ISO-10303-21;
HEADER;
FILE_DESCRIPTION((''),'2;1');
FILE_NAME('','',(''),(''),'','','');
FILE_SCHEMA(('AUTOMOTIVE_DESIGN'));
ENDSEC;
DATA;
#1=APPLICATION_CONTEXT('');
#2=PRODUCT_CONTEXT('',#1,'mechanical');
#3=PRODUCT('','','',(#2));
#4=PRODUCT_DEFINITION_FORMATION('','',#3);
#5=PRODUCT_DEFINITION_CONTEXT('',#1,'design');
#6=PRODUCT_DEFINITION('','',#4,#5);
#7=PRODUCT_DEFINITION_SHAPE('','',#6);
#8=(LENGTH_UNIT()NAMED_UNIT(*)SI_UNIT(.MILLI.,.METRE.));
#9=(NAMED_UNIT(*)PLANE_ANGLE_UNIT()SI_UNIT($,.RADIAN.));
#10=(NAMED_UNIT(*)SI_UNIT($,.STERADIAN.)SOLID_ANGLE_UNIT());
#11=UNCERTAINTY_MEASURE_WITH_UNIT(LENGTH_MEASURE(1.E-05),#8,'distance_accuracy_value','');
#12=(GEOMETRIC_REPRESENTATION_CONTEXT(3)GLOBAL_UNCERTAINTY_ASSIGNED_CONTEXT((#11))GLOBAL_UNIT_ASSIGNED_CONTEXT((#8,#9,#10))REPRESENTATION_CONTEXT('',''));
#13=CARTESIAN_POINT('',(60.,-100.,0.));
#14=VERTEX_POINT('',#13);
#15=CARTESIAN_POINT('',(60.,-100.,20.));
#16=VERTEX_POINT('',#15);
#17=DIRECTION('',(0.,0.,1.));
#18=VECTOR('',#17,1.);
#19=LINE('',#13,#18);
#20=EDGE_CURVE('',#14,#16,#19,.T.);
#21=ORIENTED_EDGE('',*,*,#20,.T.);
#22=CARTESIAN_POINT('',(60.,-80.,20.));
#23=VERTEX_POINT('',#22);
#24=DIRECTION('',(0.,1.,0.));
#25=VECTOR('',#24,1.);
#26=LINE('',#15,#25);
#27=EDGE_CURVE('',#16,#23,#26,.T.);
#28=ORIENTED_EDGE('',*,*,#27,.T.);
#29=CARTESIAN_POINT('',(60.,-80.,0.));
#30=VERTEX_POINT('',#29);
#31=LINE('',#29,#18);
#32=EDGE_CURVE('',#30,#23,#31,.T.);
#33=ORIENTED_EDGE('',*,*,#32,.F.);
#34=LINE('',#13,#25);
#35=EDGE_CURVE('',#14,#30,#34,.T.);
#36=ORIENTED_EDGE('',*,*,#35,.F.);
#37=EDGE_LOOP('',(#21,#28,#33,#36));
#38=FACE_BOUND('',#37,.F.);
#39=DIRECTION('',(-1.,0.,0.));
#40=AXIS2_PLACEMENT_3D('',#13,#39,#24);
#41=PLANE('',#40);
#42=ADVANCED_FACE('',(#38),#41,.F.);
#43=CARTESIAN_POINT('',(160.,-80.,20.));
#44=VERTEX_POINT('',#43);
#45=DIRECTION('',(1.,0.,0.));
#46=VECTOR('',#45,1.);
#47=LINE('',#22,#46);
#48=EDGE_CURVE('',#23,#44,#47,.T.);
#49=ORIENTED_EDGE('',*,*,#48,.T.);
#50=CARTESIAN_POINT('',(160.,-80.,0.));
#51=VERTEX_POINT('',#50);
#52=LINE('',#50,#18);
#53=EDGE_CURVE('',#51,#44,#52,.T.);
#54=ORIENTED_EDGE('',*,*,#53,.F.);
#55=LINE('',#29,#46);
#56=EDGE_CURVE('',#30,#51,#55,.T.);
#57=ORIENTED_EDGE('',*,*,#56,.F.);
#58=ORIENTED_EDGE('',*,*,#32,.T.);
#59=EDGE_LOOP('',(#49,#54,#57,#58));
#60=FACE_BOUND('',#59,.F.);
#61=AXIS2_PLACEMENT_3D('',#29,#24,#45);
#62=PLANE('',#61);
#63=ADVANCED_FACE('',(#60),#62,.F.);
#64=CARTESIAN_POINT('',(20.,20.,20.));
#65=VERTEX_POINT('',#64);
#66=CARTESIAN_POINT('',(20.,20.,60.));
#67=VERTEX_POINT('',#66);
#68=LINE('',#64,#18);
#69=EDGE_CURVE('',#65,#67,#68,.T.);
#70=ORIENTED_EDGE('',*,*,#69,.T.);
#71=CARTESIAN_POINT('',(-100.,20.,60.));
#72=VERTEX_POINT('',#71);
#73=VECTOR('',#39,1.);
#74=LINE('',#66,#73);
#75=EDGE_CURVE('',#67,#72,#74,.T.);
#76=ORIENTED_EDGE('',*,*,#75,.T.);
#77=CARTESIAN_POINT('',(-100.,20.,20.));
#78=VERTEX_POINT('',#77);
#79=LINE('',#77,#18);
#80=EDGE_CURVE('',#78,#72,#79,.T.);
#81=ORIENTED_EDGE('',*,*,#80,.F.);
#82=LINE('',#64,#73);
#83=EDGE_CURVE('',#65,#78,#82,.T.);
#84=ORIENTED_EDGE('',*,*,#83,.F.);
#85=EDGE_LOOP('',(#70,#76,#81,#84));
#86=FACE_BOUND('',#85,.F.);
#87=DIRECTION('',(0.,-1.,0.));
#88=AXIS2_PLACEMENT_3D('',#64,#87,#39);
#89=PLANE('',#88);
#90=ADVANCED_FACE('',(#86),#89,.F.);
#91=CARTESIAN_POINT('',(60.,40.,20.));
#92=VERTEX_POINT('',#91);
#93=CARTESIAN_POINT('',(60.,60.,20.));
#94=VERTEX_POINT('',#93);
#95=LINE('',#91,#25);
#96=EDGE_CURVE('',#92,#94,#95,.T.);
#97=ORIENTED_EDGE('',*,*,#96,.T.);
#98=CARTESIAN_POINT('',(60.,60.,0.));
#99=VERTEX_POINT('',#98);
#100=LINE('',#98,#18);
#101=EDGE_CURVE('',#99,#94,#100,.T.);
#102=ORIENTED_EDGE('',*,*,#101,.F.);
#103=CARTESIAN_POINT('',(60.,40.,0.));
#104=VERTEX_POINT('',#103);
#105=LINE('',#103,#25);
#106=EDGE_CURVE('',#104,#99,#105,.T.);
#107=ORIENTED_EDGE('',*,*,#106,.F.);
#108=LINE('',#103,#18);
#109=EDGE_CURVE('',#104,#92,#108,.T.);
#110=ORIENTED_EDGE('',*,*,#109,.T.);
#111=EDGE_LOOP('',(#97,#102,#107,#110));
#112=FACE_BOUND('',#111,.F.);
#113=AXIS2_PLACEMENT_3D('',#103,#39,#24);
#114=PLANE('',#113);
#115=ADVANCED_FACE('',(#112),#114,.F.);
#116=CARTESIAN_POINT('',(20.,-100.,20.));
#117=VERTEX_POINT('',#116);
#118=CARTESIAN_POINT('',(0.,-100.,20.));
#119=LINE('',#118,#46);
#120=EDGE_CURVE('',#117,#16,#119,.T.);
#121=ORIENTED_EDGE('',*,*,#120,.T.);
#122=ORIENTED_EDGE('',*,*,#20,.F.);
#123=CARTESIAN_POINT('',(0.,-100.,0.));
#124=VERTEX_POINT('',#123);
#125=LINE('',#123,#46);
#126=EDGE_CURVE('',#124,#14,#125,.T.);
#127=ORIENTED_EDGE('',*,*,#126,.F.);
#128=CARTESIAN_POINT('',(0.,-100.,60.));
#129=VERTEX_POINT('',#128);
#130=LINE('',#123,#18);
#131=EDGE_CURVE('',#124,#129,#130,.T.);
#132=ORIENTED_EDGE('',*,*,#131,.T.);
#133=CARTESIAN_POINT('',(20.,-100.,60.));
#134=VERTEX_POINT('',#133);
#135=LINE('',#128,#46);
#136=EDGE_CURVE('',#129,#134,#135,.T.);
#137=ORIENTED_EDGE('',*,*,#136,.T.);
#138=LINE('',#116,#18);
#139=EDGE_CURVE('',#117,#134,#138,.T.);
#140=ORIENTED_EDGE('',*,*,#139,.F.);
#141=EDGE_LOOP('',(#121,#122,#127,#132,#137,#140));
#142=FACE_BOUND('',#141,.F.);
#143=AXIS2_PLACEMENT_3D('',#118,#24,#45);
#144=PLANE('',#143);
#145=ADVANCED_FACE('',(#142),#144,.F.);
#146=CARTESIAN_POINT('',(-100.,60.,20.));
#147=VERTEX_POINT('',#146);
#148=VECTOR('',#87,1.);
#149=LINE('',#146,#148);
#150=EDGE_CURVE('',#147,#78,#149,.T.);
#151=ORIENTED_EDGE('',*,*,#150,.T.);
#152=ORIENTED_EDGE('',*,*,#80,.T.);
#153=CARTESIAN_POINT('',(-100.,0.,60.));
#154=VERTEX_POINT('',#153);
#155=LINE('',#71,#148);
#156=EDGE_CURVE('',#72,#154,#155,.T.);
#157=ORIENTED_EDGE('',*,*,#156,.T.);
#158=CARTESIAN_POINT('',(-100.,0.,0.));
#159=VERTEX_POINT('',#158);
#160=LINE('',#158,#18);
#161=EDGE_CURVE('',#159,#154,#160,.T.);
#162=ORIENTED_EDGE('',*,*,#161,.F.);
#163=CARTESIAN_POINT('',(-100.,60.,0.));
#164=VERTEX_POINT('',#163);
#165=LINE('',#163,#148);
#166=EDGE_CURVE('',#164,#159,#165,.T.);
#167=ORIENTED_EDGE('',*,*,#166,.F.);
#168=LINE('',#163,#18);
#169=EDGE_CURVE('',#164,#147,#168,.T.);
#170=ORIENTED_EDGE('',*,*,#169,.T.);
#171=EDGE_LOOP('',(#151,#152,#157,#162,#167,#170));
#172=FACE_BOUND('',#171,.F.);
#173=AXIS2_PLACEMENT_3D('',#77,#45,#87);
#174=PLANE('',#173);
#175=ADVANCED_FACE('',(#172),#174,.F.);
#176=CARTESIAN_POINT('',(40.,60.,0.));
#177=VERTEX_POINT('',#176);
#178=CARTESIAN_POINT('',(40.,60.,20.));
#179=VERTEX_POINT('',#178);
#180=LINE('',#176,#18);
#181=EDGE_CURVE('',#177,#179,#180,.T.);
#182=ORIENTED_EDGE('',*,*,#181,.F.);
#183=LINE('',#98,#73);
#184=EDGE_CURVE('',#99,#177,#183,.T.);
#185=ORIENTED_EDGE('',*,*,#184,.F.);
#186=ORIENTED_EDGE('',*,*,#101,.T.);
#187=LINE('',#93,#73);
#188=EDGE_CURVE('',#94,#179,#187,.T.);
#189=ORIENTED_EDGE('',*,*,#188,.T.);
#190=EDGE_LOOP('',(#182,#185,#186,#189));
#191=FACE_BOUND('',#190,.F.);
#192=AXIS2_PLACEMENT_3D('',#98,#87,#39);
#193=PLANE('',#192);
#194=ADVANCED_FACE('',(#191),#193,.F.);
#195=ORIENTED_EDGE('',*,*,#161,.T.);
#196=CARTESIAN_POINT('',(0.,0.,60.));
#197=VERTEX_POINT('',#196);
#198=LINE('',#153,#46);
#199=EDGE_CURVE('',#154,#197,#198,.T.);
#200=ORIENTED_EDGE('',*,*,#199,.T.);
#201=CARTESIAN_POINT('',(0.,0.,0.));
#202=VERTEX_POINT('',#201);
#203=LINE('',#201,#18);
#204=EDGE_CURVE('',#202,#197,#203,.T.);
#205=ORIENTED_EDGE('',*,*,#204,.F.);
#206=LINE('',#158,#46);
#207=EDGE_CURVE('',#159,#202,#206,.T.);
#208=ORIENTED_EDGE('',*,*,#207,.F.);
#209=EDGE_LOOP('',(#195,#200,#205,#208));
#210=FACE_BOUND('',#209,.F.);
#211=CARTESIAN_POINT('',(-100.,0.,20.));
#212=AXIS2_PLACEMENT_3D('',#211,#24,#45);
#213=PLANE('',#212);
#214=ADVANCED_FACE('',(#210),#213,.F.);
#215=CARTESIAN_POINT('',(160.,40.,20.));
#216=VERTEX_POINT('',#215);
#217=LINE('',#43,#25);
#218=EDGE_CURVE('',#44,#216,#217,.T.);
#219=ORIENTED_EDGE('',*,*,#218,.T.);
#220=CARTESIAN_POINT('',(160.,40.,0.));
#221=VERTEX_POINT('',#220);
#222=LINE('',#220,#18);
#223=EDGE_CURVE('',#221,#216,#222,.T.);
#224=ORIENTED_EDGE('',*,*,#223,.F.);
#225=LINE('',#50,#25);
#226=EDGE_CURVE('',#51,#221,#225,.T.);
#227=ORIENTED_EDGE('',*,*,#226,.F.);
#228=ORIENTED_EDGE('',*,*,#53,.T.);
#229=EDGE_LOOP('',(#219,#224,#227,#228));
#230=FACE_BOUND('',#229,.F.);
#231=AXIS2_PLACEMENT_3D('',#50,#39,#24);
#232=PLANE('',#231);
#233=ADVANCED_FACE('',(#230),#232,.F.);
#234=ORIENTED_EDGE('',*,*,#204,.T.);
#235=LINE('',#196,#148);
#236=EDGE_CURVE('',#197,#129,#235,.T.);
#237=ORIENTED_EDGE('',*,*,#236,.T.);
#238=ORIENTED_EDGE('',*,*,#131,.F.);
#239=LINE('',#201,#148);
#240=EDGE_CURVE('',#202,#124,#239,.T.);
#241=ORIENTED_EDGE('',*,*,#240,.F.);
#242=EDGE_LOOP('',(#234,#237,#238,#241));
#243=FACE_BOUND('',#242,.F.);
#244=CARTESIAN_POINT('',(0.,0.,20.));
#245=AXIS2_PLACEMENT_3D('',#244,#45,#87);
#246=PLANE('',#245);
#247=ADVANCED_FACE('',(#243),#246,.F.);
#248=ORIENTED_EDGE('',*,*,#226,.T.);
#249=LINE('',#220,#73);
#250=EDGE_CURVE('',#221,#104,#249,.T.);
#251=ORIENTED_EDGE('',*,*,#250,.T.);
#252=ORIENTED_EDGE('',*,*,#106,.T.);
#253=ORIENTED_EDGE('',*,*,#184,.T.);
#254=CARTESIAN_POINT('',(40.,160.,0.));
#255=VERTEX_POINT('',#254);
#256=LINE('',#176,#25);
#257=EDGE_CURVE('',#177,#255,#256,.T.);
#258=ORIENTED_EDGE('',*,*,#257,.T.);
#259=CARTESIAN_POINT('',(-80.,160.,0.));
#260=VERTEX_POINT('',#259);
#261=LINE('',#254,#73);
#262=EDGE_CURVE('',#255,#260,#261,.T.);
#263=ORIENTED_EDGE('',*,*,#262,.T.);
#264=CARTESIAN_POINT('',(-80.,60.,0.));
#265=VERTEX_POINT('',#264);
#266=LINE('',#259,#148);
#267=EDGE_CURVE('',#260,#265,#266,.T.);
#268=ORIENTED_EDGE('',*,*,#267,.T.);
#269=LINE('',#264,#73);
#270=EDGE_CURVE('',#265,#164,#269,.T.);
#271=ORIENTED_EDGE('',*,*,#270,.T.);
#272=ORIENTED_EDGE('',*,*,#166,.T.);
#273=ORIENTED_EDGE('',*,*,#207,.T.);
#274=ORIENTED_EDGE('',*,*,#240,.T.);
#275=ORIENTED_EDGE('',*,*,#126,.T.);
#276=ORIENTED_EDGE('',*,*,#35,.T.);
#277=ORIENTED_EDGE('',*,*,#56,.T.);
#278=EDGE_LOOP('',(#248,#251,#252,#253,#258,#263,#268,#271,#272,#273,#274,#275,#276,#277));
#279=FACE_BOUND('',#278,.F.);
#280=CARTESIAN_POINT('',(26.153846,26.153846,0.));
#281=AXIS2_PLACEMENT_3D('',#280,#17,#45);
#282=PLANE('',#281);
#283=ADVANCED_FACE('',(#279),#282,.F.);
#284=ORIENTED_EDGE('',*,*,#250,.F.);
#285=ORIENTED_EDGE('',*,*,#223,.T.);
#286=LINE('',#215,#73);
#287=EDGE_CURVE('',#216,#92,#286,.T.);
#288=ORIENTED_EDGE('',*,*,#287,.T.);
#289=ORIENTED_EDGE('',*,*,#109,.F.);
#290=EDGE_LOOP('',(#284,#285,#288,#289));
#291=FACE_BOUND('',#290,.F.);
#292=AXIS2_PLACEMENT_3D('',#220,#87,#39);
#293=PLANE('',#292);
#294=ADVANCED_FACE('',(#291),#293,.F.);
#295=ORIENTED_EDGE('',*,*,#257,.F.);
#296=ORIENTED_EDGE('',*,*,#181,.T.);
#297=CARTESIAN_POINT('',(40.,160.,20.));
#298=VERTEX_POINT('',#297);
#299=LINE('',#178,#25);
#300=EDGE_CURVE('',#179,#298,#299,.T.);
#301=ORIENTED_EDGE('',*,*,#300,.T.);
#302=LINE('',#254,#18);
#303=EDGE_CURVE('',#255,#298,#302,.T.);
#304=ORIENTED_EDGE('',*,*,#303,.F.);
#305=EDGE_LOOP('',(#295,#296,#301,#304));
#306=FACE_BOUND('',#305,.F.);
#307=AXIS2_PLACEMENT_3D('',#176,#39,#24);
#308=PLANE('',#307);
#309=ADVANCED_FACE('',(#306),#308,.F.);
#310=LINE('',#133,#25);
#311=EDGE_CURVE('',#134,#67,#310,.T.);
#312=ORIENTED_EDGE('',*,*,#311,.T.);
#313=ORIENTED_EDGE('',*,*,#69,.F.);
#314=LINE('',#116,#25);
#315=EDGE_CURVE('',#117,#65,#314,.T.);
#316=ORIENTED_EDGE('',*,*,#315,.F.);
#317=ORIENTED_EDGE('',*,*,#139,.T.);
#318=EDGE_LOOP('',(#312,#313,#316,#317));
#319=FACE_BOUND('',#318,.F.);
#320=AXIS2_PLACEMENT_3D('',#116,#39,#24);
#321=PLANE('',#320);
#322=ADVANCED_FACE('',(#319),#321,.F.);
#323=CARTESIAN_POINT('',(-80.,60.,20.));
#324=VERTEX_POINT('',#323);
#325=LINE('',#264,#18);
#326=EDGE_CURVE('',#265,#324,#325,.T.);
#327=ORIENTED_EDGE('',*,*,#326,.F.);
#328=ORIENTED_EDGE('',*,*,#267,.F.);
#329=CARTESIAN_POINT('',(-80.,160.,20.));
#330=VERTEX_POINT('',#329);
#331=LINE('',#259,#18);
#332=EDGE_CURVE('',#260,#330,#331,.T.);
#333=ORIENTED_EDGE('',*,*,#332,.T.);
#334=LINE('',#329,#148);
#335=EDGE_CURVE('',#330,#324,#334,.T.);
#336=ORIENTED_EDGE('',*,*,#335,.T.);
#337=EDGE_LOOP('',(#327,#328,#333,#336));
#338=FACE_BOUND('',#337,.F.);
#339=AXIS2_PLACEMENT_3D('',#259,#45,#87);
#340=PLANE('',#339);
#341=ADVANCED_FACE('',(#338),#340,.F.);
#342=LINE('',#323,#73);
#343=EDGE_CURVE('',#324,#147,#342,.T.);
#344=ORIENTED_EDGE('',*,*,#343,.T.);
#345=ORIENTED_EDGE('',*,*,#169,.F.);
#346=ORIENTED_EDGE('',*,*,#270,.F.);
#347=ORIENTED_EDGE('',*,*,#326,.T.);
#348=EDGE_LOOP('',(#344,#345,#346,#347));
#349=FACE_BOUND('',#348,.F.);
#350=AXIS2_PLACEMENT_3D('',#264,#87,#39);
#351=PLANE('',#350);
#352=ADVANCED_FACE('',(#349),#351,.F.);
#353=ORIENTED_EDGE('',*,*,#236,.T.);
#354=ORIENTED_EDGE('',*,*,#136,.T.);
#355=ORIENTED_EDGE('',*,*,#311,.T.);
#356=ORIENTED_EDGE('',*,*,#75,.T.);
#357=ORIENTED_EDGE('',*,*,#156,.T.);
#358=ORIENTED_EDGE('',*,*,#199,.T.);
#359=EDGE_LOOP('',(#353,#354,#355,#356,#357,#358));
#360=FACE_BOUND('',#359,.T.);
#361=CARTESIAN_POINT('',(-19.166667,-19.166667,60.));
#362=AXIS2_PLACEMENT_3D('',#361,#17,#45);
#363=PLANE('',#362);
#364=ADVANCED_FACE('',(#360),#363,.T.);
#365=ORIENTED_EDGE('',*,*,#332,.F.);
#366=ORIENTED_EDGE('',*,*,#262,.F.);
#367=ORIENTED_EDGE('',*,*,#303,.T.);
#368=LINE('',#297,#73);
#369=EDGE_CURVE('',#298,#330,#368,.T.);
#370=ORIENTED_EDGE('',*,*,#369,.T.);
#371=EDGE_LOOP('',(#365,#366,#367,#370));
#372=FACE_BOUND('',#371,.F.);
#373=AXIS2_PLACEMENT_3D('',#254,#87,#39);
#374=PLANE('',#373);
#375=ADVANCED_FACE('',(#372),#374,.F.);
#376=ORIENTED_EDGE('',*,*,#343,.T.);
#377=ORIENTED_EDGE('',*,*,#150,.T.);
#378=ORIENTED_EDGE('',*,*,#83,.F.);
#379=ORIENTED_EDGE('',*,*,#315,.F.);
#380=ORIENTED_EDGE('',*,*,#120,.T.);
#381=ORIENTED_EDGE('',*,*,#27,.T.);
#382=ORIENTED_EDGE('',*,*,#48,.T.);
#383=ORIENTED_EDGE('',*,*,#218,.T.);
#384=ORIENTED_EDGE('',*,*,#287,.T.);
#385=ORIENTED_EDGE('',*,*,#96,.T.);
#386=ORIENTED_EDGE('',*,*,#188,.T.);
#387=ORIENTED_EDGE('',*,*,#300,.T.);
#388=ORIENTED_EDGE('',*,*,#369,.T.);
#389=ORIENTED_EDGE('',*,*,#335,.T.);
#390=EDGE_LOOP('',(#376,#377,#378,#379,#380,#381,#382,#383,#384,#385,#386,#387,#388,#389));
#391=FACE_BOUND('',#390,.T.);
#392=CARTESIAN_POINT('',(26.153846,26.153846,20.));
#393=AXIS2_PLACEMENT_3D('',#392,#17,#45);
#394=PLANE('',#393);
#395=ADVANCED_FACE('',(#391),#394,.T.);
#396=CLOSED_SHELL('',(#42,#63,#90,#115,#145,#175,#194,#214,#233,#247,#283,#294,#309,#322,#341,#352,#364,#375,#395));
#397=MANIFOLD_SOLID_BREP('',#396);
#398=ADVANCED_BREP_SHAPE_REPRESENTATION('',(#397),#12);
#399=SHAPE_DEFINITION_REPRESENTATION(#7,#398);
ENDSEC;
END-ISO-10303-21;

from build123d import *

# Parameters (mm, degrees)
F1_DEPTH = 20
F3_DEPTH = 40


with BuildPart() as f1:
    # F0 (on Top) → F1 (new body)
    with BuildSketch(Plane.XY):
        Polygon((-100, 0), (0, 0), (0, -100), (60, -100), (60, -80), (160, -80), (160, 40), (60, 40), (60, 60), (40, 60), (40, 160), (-80, 160), (-80, 60), (-100, 60), align=None)
    extrude(amount=F1_DEPTH)

    # F2 (on face) → F3 (join)
    with BuildSketch(Plane.XY.offset(20)):
        Polygon((-100, 20), (-100, 0), (0, 0), (0, -100), (20, -100), (20, 20), align=None)
    extrude(amount=F3_DEPTH)


solid = f1.part
